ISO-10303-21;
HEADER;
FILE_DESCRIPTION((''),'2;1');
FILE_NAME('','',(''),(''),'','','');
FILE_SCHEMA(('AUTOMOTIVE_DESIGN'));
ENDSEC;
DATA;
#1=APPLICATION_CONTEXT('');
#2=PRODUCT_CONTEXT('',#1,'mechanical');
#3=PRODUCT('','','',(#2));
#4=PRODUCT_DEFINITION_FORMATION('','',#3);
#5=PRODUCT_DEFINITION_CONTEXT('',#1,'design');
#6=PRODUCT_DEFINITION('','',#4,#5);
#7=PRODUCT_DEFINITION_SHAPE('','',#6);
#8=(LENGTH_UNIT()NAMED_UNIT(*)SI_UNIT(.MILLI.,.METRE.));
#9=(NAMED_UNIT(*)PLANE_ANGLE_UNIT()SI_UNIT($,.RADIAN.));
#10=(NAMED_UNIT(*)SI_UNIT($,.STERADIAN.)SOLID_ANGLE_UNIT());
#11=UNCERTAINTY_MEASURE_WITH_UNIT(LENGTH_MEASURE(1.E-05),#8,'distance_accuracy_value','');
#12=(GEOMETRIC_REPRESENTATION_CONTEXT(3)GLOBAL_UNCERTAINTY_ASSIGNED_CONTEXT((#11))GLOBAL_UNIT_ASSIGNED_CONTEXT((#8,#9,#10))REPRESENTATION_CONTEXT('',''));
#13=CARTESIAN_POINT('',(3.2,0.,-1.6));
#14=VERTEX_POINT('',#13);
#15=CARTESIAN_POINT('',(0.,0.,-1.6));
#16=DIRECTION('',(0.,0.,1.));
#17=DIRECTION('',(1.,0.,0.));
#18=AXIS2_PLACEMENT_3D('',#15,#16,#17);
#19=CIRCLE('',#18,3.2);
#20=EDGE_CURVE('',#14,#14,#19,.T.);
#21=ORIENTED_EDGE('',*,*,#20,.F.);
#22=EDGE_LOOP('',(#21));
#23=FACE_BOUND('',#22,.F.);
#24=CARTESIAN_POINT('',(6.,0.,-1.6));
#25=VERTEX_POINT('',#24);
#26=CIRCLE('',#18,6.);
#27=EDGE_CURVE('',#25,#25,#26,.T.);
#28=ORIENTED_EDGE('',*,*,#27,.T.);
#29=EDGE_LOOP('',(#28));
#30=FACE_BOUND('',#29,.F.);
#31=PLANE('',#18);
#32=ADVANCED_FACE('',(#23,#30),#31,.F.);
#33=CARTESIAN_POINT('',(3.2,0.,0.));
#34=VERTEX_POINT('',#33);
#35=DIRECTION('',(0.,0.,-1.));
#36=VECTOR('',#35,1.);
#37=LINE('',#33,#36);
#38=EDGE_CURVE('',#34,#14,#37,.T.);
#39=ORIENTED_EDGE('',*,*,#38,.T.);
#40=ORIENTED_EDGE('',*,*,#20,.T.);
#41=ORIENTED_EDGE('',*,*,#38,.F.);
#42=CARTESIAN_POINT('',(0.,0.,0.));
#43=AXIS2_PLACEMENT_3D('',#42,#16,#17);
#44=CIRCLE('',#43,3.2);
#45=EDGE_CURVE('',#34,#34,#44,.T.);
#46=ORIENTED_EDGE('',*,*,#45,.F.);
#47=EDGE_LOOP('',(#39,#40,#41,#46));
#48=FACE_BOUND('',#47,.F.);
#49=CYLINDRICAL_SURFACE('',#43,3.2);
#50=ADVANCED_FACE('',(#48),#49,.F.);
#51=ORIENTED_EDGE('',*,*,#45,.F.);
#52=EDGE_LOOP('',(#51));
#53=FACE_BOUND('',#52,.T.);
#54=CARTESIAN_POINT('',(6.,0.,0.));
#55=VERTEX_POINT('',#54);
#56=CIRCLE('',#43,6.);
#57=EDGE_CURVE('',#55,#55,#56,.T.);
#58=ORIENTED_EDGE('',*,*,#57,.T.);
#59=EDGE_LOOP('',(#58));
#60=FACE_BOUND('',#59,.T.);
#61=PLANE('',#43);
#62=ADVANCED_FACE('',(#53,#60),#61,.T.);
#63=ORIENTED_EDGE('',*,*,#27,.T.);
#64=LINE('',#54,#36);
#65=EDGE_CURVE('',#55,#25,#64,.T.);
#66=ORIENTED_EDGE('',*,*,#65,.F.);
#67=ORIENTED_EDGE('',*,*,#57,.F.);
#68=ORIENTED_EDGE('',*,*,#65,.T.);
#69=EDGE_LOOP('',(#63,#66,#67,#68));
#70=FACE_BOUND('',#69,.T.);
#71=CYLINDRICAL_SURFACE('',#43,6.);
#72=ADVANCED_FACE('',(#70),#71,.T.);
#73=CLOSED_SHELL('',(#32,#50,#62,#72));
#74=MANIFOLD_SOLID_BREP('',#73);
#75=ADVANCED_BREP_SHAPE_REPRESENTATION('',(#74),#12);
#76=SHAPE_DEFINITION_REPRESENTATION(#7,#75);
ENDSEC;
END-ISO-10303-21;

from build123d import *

# Parameters (mm, degrees)
SKETCH1_R          = 6
SKETCH1_R_2        = 3.2
BASE_EXTRUDE_DEPTH = 1.6


with BuildPart() as part:
    # Sketch1 → Base-Extrude (new body)
    with BuildSketch(Plane.XY):
        Circle(SKETCH1_R)
        Circle(SKETCH1_R_2, mode=Mode.SUBTRACT)
    extrude(amount=-BASE_EXTRUDE_DEPTH)


solid = part.part
